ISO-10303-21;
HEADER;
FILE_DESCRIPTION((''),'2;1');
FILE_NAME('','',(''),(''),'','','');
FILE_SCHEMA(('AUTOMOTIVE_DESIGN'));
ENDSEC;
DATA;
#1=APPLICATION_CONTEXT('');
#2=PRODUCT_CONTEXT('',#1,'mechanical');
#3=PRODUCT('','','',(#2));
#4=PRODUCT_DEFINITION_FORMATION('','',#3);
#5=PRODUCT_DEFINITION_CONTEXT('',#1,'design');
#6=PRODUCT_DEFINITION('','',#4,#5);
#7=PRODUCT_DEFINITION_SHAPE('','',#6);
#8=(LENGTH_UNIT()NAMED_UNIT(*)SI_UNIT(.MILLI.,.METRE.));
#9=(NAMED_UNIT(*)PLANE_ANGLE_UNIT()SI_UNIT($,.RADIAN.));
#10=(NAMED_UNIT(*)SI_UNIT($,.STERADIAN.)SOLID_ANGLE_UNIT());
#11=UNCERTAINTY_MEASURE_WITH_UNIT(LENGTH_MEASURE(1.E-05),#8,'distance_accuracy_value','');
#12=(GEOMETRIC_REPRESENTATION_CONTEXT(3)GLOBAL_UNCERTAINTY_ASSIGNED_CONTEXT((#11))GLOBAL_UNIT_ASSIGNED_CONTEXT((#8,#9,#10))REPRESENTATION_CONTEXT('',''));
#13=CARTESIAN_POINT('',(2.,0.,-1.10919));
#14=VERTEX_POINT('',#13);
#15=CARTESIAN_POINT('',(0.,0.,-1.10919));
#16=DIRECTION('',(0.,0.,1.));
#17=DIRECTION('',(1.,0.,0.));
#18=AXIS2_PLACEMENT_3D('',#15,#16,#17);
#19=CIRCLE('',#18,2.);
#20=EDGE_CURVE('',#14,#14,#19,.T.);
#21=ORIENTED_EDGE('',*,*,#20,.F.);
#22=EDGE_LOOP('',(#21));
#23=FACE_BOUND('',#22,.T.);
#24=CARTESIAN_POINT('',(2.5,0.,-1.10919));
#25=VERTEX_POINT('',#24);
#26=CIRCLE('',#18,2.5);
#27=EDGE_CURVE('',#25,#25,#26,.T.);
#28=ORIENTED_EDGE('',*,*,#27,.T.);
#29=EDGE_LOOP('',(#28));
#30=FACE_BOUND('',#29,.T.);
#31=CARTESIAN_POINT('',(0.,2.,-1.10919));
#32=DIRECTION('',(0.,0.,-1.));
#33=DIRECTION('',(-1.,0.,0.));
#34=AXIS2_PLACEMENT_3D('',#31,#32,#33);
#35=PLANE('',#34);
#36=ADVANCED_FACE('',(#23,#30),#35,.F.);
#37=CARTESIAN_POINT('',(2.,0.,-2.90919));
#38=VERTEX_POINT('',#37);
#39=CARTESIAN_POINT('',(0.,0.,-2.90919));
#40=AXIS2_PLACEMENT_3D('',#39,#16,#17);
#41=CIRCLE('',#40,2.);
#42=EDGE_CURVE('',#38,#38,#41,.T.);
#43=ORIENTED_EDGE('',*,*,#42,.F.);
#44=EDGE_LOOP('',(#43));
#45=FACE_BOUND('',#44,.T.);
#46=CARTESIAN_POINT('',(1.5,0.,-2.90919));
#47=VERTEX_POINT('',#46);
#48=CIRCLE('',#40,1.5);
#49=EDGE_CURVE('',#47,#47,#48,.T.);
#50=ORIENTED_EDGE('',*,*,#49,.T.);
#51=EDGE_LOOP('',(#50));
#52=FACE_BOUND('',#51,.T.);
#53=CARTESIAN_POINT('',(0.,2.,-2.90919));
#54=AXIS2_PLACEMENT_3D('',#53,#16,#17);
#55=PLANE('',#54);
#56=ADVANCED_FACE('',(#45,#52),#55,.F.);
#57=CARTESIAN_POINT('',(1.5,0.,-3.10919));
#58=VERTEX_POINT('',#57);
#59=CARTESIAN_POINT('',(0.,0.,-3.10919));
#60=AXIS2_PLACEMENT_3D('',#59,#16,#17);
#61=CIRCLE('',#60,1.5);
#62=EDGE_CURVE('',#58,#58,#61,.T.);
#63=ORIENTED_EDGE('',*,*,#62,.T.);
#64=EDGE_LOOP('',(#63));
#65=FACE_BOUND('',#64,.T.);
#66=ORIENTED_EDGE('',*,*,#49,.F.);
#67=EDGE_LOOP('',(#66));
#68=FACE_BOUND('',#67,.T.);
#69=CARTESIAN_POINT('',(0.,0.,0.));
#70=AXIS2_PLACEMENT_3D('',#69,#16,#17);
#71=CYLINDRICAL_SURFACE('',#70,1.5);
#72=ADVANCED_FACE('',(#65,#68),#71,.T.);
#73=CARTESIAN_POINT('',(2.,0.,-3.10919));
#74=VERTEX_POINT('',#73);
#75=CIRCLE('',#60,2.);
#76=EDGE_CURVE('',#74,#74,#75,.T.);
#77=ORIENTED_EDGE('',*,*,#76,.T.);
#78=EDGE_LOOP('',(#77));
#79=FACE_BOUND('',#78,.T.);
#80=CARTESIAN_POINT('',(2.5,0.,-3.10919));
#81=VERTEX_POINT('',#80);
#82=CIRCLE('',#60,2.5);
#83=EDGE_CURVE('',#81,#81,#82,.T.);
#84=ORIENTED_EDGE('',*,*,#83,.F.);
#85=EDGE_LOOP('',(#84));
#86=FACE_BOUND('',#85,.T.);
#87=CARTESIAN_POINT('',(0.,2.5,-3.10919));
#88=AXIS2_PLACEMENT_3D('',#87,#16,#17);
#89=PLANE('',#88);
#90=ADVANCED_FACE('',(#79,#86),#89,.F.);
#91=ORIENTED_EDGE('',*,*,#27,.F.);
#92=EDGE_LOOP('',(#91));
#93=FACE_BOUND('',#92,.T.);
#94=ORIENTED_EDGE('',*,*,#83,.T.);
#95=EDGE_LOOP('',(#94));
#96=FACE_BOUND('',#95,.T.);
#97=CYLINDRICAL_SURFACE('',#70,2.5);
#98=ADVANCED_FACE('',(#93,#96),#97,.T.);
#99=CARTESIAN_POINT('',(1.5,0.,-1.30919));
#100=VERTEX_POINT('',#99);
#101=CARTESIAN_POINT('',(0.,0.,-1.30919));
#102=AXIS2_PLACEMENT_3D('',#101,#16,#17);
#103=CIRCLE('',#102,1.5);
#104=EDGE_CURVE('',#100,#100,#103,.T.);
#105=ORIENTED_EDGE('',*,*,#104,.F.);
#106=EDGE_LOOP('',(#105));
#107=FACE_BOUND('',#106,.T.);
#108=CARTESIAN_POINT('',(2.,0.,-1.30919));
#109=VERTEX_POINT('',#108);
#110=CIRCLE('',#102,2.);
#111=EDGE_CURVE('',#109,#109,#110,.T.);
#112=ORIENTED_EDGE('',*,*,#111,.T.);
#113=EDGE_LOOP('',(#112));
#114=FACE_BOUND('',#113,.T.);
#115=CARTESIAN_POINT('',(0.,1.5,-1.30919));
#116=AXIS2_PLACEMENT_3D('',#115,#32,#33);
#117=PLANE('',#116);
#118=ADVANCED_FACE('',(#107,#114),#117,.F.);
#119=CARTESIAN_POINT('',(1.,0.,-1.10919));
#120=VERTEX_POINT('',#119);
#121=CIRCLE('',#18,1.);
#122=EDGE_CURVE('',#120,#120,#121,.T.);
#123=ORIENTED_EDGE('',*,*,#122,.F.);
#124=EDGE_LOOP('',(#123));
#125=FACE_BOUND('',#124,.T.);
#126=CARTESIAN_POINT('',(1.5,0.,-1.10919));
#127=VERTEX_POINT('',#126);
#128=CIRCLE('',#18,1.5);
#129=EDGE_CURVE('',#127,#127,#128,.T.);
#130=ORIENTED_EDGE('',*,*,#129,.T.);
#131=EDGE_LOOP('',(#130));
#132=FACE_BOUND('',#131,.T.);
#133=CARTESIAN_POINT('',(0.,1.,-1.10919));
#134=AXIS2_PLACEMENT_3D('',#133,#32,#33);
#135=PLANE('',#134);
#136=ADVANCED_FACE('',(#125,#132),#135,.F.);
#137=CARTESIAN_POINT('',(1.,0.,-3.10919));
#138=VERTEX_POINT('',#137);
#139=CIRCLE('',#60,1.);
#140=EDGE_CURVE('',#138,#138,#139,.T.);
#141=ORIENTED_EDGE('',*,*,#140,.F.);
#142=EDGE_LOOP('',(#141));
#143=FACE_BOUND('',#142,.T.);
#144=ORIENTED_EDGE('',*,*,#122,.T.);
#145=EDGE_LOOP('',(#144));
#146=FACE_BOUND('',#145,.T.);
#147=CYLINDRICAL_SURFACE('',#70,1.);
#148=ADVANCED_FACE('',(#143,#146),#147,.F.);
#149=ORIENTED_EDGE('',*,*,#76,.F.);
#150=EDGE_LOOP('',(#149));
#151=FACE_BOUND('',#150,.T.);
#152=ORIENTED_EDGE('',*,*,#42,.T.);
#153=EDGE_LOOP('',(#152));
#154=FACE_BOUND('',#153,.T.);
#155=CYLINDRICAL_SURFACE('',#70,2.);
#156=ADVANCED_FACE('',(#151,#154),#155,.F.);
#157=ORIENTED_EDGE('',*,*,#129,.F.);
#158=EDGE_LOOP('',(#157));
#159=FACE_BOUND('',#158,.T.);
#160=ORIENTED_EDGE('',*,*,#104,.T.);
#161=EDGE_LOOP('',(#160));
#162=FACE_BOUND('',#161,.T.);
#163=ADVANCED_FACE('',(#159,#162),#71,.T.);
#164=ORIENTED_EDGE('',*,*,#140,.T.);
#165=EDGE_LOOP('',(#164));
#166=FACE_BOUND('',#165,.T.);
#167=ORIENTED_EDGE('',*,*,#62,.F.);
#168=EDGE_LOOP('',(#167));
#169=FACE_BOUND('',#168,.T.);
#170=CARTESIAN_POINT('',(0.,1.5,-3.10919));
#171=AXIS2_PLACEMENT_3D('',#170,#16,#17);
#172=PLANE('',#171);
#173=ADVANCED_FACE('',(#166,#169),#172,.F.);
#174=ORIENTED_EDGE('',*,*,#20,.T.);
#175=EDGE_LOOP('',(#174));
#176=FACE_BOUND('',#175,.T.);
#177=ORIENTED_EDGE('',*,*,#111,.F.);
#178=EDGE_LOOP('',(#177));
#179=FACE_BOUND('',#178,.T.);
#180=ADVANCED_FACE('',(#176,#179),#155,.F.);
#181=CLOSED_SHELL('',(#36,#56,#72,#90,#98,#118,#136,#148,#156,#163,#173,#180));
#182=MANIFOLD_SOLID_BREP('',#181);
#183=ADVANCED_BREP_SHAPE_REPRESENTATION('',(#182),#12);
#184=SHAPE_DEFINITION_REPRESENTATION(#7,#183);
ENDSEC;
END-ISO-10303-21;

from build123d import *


with BuildPart() as part:
    # Sketch2 → Revolve1 (revolve)
    with BuildSketch(Plane(origin=(0, 0, 0), x_dir=(0, 0, -1), z_dir=(1, 0, 0))):
        Polygon((1.10919003, 2.5), (3.10919003, 2.5), (3.10919003, 2), (2.90919003, 2), (2.90919003, 1.5), (3.10919003, 1.5), (3.10919003, 1), (1.10919003, 1), (1.10919003, 1.5), (1.30919003, 1.5), (1.30919003, 2), (1.10919003, 2), align=None)
    revolve(axis=Axis((0, 0, 0), (0, 0, -1)))


solid = part.part
